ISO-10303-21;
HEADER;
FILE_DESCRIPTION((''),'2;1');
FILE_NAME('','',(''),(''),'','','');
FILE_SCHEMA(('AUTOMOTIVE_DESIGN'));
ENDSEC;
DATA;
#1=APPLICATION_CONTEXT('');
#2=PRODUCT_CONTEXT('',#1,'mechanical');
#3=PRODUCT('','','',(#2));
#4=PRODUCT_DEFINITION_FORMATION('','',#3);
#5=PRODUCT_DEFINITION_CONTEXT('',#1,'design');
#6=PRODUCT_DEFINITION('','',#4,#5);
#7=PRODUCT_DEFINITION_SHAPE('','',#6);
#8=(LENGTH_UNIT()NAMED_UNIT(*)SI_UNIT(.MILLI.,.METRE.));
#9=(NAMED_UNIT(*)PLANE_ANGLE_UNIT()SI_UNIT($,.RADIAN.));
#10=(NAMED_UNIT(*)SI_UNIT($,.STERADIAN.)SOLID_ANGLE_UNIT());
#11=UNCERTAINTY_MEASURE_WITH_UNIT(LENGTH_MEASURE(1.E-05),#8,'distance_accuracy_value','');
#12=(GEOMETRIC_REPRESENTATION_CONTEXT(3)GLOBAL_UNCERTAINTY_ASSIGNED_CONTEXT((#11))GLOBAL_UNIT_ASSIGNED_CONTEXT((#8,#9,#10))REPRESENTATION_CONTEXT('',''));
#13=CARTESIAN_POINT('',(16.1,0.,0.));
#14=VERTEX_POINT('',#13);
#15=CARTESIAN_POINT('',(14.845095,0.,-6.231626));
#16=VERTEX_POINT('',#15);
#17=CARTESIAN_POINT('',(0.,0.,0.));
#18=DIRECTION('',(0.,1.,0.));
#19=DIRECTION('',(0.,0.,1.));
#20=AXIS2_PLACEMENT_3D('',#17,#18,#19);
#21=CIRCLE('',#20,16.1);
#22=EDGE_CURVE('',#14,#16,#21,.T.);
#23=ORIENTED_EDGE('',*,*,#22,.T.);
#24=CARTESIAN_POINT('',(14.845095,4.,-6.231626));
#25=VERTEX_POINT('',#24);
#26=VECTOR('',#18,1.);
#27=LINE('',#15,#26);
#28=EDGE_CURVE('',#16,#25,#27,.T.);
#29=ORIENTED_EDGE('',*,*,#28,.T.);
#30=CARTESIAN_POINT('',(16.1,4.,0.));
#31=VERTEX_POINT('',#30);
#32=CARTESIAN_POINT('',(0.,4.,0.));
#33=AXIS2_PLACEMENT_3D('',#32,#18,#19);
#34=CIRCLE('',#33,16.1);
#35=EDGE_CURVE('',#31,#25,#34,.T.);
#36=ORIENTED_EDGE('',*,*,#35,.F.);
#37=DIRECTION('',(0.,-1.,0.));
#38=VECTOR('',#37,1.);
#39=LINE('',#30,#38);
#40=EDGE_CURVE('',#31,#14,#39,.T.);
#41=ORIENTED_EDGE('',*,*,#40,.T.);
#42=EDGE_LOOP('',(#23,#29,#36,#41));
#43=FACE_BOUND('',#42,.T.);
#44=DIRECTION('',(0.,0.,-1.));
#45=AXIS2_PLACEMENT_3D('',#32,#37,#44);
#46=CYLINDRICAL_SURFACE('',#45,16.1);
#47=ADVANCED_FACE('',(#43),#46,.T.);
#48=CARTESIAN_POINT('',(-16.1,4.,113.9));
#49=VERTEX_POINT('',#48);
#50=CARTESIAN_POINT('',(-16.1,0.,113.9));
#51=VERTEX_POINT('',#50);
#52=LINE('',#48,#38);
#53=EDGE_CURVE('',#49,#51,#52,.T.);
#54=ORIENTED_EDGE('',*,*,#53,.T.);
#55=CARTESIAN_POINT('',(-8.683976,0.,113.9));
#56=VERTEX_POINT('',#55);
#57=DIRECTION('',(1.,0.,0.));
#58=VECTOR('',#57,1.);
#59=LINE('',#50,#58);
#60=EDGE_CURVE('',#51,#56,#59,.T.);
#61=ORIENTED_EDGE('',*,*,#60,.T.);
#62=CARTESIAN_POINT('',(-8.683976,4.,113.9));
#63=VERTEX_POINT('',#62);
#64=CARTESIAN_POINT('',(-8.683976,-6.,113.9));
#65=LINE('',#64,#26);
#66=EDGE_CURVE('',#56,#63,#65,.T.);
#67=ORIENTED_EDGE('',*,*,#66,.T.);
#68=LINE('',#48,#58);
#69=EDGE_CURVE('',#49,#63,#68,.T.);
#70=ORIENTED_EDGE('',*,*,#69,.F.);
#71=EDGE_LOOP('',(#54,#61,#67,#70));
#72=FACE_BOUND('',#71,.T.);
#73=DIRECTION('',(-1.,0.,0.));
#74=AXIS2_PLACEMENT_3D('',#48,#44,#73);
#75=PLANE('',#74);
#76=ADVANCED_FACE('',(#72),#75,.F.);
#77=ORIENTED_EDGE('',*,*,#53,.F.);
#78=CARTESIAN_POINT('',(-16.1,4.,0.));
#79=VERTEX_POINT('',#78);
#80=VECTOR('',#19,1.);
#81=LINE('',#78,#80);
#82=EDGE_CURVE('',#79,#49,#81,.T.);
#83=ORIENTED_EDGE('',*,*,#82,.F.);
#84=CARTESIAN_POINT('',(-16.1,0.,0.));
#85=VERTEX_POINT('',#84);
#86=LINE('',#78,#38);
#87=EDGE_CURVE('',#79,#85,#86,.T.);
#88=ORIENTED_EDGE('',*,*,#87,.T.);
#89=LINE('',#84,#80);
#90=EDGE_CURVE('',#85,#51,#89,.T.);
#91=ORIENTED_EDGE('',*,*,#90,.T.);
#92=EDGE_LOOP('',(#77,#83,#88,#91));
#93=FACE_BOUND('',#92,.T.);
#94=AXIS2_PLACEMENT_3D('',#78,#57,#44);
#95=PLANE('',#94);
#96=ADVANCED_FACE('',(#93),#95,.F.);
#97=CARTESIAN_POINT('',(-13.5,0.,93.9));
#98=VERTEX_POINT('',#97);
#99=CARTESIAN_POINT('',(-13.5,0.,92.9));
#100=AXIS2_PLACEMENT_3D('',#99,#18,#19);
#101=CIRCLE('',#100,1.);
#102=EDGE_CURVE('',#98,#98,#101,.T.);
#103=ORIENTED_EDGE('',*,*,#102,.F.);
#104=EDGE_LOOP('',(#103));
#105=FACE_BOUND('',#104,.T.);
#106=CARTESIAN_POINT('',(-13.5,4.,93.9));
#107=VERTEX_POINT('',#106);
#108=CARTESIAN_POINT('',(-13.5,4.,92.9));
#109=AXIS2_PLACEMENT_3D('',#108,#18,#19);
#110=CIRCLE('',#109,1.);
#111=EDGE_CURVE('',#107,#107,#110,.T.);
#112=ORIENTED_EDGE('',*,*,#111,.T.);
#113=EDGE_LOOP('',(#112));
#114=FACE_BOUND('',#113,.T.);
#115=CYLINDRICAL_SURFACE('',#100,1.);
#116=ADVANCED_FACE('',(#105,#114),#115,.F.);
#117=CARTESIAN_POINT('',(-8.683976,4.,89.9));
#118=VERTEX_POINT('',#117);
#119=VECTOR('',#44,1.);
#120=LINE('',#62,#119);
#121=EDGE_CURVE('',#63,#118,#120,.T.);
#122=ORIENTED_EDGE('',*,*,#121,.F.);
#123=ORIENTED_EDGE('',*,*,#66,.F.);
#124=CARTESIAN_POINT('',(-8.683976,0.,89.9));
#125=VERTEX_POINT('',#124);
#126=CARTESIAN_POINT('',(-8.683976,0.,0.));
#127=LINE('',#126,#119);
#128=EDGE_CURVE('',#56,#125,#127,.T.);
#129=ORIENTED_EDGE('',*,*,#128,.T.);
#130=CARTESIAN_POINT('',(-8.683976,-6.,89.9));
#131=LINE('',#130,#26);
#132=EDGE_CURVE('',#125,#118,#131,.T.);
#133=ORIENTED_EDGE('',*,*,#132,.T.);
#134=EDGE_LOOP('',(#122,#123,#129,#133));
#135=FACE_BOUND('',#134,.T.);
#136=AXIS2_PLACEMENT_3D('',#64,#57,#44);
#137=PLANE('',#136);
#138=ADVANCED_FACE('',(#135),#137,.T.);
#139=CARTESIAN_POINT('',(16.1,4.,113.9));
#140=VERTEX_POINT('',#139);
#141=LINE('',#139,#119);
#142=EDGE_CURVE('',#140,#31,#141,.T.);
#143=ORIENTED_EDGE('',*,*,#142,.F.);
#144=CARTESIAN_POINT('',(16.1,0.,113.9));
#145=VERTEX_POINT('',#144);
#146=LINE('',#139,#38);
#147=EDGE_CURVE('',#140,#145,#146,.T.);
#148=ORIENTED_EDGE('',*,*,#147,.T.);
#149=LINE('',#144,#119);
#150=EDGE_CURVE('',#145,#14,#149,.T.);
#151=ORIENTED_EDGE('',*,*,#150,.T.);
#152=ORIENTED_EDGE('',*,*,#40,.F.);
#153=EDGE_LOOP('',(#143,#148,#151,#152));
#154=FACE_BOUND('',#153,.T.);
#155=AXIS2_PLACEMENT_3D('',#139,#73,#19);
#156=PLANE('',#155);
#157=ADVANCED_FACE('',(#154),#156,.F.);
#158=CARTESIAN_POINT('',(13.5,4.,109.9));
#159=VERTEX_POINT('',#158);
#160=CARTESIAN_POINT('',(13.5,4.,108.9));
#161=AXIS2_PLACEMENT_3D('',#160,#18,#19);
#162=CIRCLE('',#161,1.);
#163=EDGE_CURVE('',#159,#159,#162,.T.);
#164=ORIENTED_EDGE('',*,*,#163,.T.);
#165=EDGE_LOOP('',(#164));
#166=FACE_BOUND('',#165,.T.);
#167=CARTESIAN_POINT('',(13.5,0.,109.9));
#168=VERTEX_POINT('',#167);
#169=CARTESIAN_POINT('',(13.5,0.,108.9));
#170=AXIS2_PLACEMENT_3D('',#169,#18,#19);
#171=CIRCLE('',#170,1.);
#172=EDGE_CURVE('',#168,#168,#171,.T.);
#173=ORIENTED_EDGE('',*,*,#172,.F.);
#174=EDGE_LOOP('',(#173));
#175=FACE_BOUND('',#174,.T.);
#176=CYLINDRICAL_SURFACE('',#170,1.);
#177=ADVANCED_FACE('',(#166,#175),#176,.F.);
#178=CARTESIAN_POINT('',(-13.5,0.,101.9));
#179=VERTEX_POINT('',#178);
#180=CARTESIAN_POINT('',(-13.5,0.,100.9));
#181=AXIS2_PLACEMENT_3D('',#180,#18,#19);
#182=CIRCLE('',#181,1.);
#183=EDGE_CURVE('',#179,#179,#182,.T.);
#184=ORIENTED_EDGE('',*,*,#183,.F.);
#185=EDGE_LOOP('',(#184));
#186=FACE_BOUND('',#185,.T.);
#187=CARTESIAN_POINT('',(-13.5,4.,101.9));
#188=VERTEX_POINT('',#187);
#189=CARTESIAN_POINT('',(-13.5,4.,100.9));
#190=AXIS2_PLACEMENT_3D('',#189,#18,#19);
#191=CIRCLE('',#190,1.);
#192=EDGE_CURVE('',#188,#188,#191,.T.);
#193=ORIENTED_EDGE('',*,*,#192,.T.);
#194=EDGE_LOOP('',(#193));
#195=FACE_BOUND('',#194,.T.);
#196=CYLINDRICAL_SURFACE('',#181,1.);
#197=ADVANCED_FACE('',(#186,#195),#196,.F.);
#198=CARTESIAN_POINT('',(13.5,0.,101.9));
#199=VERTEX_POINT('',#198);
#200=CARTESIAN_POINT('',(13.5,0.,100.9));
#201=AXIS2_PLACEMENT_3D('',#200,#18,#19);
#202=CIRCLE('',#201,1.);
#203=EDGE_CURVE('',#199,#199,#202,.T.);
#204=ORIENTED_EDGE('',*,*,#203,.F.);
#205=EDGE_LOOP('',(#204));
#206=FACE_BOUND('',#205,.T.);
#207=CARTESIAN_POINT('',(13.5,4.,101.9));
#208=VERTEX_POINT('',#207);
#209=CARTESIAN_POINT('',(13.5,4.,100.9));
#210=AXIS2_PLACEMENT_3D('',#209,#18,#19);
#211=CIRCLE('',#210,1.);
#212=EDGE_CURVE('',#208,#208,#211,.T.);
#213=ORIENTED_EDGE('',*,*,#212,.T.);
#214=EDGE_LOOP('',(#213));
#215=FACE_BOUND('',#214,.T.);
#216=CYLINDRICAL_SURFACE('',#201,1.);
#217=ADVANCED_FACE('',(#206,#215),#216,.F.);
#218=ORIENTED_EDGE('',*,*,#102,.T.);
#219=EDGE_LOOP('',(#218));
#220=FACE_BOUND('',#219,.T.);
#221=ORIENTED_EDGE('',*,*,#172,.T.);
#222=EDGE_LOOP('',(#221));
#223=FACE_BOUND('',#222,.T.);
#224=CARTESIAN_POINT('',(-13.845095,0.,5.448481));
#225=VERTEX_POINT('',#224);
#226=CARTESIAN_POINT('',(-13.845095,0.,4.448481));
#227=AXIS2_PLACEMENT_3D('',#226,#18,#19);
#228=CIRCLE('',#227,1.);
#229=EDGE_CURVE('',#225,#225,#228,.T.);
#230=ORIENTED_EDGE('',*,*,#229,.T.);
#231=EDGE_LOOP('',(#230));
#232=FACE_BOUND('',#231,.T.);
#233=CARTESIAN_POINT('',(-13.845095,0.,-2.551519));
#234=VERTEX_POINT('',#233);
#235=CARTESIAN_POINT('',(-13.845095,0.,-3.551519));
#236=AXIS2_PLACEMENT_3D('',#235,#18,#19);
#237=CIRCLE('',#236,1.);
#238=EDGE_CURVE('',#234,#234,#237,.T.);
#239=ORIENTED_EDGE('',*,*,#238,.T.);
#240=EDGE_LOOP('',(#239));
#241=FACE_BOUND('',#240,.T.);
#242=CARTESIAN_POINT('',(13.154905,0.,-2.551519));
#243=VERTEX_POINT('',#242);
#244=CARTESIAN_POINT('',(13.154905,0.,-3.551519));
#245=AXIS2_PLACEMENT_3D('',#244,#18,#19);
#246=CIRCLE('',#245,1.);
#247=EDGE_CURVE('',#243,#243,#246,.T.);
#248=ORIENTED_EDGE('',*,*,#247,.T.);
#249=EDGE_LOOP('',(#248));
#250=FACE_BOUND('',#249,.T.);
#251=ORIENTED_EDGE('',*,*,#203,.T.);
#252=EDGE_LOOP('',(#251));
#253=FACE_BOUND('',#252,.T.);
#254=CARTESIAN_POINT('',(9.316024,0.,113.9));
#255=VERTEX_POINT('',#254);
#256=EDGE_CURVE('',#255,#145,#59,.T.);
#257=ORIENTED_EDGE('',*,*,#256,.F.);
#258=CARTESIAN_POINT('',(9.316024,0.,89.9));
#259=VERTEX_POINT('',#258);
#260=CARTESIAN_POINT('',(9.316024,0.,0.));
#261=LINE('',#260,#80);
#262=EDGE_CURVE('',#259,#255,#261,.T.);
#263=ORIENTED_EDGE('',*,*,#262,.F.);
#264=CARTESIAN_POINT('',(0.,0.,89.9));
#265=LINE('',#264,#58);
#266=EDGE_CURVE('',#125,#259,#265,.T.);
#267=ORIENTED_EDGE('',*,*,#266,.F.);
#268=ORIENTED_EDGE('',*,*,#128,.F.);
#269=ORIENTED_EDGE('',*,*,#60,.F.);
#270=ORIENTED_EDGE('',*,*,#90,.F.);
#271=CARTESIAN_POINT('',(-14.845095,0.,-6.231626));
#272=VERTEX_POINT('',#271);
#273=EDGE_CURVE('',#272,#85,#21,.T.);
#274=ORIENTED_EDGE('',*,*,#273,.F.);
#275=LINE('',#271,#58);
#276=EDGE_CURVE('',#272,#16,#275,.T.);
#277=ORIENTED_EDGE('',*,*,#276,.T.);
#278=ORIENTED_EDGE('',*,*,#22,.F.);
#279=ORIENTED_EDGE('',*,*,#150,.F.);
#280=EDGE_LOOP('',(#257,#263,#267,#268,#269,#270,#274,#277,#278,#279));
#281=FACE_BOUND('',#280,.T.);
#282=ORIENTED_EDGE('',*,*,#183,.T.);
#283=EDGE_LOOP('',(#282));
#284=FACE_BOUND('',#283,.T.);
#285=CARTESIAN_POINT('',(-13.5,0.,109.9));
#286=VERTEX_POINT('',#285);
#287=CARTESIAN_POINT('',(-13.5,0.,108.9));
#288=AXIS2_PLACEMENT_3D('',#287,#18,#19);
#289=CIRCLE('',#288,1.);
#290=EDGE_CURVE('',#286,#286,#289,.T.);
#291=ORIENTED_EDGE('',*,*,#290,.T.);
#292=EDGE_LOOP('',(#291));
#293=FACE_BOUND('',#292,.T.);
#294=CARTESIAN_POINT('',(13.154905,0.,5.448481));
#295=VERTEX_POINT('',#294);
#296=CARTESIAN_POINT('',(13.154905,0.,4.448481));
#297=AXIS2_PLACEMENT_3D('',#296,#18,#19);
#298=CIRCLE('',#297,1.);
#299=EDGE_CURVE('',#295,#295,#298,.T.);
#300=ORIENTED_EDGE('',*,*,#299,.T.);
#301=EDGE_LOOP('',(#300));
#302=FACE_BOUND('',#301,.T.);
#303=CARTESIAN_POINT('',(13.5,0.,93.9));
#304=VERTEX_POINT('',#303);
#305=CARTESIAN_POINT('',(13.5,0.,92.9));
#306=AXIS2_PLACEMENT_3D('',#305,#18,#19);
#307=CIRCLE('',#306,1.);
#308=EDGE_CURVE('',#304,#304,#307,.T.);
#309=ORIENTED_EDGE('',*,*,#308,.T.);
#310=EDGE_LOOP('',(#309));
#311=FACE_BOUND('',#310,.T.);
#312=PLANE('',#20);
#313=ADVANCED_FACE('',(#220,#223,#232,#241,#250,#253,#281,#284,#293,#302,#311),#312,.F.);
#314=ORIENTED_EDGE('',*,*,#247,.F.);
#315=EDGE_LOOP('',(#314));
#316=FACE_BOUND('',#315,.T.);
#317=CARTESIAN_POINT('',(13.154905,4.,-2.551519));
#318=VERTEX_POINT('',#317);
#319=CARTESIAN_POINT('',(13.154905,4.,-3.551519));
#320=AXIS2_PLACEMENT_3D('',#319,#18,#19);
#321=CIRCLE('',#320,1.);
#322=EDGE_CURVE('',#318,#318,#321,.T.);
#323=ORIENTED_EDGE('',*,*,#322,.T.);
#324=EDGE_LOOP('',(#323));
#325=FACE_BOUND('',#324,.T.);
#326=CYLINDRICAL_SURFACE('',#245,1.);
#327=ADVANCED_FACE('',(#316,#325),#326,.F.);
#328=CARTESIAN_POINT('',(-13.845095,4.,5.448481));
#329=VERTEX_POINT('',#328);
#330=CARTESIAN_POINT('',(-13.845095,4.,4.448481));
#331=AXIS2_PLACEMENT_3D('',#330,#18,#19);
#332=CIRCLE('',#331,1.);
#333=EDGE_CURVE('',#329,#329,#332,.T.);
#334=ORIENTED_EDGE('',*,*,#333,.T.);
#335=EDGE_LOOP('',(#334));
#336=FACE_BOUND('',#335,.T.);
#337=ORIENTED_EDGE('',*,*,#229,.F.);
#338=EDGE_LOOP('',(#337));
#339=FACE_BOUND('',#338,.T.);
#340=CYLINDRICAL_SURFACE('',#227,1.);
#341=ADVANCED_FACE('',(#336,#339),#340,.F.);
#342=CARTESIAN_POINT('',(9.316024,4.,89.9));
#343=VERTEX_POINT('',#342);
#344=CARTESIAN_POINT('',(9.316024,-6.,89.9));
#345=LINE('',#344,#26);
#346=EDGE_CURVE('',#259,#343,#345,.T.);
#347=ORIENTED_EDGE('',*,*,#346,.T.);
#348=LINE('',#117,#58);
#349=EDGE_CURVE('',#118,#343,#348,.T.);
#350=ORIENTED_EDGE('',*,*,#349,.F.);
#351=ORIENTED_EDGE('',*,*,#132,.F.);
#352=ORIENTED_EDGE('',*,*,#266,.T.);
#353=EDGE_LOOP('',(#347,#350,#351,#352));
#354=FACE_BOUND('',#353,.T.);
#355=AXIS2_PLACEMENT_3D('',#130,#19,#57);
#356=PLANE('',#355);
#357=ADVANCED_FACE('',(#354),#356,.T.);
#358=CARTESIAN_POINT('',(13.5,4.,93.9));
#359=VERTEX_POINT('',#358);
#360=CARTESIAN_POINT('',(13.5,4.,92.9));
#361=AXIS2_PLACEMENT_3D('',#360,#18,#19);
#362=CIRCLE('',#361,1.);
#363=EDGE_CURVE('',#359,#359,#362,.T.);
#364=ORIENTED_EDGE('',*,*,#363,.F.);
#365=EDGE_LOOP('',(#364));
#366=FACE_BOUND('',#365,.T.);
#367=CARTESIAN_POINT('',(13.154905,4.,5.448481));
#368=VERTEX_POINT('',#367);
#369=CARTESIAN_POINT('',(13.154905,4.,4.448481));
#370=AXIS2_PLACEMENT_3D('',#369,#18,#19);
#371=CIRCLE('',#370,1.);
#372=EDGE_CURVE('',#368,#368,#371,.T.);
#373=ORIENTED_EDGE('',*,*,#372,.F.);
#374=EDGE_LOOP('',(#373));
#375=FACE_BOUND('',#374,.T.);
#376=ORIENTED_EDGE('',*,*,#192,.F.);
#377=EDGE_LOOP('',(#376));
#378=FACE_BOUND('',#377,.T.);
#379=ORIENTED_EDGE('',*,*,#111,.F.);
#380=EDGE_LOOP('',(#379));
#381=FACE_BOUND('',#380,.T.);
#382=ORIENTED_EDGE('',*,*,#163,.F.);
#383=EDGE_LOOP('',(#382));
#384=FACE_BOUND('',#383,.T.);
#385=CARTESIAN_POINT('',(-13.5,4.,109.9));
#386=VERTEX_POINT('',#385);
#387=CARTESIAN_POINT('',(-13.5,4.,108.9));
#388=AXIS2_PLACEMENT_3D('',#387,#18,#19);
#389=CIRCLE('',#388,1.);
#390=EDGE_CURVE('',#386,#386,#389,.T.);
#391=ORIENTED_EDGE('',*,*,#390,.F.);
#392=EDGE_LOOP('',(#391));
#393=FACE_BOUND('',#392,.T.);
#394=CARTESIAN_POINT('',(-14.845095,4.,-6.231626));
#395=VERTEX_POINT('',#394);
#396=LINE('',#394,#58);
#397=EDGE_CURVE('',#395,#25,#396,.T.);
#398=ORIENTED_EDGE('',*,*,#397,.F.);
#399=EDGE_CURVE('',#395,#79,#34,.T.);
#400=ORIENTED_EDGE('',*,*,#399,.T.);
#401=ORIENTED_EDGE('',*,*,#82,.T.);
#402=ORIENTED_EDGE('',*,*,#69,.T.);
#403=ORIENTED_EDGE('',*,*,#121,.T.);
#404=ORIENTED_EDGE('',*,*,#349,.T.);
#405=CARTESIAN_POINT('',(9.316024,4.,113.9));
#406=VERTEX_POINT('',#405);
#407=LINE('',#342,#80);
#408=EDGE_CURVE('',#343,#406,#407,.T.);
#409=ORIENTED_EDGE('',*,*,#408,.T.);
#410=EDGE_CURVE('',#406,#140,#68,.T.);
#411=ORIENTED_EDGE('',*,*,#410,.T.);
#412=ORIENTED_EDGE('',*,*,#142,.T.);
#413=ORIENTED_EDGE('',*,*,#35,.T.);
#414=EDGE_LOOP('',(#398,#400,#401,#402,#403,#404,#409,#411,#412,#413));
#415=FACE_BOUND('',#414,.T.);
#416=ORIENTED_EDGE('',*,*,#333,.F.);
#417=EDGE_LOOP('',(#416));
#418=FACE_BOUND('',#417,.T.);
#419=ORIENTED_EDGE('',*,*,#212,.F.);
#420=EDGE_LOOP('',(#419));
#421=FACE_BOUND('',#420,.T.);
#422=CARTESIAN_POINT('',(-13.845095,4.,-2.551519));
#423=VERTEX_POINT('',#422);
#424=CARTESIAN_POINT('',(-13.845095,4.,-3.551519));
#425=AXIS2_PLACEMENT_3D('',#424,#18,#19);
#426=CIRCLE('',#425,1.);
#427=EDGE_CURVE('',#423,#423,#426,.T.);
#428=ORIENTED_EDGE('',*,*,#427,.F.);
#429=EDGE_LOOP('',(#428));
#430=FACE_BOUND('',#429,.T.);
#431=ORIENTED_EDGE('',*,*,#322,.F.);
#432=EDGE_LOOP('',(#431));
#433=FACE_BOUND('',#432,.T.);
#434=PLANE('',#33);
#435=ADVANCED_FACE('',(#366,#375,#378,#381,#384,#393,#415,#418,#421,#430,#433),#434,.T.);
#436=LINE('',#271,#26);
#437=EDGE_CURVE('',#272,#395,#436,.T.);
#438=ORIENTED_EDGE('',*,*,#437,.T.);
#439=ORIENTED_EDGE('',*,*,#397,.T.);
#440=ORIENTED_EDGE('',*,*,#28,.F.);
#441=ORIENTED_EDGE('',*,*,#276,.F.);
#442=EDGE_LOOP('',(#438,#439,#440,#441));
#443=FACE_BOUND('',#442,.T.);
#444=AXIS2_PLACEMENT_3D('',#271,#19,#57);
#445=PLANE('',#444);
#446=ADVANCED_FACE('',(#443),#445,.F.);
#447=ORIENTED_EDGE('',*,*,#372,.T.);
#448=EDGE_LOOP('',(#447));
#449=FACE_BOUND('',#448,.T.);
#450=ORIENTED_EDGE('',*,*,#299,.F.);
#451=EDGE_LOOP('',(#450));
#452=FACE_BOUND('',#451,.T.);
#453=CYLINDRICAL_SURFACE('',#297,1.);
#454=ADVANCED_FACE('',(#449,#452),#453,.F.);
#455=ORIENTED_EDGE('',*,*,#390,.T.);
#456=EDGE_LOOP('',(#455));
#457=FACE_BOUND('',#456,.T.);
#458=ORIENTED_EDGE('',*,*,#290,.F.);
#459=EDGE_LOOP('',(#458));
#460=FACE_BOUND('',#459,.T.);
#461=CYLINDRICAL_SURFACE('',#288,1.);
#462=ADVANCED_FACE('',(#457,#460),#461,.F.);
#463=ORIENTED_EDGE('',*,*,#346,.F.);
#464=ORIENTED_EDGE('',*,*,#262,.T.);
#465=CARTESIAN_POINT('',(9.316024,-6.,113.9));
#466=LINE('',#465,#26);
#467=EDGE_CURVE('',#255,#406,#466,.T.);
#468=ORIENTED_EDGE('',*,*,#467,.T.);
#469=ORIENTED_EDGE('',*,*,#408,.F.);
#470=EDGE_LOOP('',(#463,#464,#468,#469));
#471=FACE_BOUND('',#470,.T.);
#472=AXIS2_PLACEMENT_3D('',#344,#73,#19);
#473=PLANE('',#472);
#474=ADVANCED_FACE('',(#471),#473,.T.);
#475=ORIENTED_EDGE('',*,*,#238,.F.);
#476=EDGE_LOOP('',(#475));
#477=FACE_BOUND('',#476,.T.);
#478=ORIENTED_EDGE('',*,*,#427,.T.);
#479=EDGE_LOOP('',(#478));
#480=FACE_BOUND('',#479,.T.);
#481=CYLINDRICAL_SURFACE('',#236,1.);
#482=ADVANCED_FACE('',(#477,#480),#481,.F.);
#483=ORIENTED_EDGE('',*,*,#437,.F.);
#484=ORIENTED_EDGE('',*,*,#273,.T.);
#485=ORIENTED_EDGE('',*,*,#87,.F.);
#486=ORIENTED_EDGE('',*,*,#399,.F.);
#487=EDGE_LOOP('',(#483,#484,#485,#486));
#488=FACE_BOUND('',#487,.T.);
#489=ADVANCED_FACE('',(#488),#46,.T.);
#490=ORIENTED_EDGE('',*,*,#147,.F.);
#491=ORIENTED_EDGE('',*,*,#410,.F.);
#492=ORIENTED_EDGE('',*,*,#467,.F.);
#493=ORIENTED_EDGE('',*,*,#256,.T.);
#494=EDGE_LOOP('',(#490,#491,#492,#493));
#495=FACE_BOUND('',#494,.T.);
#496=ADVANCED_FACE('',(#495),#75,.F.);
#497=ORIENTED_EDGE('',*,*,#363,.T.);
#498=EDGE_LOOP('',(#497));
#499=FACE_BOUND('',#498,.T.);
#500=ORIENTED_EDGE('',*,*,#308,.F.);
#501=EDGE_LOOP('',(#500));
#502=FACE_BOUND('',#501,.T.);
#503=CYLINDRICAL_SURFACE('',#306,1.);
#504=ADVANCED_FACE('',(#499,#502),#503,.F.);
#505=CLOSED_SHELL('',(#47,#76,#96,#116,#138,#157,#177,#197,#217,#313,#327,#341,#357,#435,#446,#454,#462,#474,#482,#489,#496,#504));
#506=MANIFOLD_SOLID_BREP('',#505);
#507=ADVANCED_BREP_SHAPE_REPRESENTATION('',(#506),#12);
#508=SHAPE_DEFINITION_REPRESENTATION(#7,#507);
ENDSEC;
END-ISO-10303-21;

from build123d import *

# Parameters (mm, degrees)
BOSS_EXTRU_1_DEPTH      = 4
ESQUISSE2_R             = 1
ESQUISSE2_W             = 29.690189182
ESQUISSE2_H             = 17.433113391
ENL_V_MAT_EXTRU_1_DEPTH = 4
ESQUISSE4_W             = 18
ESQUISSE4_H             = 24
ENL_V_MAT_EXTRU_2_DEPTH = 10


with BuildPart() as part:
    # Esquisse1 → Boss.-Extru.1 (new body)
    with BuildSketch(Plane(origin=(0, 0, 0), x_dir=(1, 0, 0), z_dir=(0, 1, 0))):
        with BuildLine():
            Line((-16.1, 0), (-16.1, -113.9))
            Line((-16.1, -113.9), (16.1, -113.9))
            Line((16.1, -113.9), (16.1, 0))
            ThreePointArc((16.1, 0), (0, 16.1), (-16.1, 0))
        make_face()
    extrude(amount=BOSS_EXTRU_1_DEPTH)

    # Esquisse2 → Enlèv. mat.-Extru.1 (cut)
    with BuildSketch(Plane(origin=(0, 4, 0), x_dir=(1, 0, 0), z_dir=(0, 1, 0))):
        with Locations(Location((-13.5, -92.9, 0), (0, 0, 270))):
            Circle(ESQUISSE2_R)
        with Locations(Location((-13.5, -100.9, 0), (0, 0, 270))):
            Circle(ESQUISSE2_R)
        with Locations(Location((13.5, -92.9, 0), (0, 0, 270))):
            Circle(ESQUISSE2_R)
        with Locations(Location((13.5, -100.9, 0), (0, 0, 270))):
            Circle(ESQUISSE2_R)
        with Locations(Location((13.5, -108.9, 0), (0, 0, 270))):
            Circle(ESQUISSE2_R)
        with Locations(Location((-13.5, -108.9, 0), (0, 0, 270))):
            Circle(ESQUISSE2_R)
        with Locations(Location((13.154905409, -4.448481213, 0), (0, 0, 270))):
            Circle(ESQUISSE2_R)
        with Locations(Location((-13.845094591, 3.551518787, 0), (0, 0, 270))):
            Circle(ESQUISSE2_R)
        with Locations(Location((-13.845094591, -4.448481213, 0), (0, 0, 270))):
            Circle(ESQUISSE2_R)
        with Locations(Location((13.154905409, 3.551518787, 0), (0, 0, 270))):
            Circle(ESQUISSE2_R)
        with Locations((0, 14.948183015)):
            Rectangle(ESQUISSE2_W, ESQUISSE2_H)
    extrude(amount=-ENL_V_MAT_EXTRU_1_DEPTH, mode=Mode.SUBTRACT)

    # Esquisse4 → Enlèv. mat.-Extru.2 (cut)
    with BuildSketch(Plane(origin=(0, 4, 0), x_dir=(1, 0, 0), z_dir=(0, 1, 0))):
        with Locations((0.316024011, -101.9)):
            Rectangle(ESQUISSE4_W, ESQUISSE4_H)
    extrude(amount=-ENL_V_MAT_EXTRU_2_DEPTH, mode=Mode.SUBTRACT)


solid = part.part
